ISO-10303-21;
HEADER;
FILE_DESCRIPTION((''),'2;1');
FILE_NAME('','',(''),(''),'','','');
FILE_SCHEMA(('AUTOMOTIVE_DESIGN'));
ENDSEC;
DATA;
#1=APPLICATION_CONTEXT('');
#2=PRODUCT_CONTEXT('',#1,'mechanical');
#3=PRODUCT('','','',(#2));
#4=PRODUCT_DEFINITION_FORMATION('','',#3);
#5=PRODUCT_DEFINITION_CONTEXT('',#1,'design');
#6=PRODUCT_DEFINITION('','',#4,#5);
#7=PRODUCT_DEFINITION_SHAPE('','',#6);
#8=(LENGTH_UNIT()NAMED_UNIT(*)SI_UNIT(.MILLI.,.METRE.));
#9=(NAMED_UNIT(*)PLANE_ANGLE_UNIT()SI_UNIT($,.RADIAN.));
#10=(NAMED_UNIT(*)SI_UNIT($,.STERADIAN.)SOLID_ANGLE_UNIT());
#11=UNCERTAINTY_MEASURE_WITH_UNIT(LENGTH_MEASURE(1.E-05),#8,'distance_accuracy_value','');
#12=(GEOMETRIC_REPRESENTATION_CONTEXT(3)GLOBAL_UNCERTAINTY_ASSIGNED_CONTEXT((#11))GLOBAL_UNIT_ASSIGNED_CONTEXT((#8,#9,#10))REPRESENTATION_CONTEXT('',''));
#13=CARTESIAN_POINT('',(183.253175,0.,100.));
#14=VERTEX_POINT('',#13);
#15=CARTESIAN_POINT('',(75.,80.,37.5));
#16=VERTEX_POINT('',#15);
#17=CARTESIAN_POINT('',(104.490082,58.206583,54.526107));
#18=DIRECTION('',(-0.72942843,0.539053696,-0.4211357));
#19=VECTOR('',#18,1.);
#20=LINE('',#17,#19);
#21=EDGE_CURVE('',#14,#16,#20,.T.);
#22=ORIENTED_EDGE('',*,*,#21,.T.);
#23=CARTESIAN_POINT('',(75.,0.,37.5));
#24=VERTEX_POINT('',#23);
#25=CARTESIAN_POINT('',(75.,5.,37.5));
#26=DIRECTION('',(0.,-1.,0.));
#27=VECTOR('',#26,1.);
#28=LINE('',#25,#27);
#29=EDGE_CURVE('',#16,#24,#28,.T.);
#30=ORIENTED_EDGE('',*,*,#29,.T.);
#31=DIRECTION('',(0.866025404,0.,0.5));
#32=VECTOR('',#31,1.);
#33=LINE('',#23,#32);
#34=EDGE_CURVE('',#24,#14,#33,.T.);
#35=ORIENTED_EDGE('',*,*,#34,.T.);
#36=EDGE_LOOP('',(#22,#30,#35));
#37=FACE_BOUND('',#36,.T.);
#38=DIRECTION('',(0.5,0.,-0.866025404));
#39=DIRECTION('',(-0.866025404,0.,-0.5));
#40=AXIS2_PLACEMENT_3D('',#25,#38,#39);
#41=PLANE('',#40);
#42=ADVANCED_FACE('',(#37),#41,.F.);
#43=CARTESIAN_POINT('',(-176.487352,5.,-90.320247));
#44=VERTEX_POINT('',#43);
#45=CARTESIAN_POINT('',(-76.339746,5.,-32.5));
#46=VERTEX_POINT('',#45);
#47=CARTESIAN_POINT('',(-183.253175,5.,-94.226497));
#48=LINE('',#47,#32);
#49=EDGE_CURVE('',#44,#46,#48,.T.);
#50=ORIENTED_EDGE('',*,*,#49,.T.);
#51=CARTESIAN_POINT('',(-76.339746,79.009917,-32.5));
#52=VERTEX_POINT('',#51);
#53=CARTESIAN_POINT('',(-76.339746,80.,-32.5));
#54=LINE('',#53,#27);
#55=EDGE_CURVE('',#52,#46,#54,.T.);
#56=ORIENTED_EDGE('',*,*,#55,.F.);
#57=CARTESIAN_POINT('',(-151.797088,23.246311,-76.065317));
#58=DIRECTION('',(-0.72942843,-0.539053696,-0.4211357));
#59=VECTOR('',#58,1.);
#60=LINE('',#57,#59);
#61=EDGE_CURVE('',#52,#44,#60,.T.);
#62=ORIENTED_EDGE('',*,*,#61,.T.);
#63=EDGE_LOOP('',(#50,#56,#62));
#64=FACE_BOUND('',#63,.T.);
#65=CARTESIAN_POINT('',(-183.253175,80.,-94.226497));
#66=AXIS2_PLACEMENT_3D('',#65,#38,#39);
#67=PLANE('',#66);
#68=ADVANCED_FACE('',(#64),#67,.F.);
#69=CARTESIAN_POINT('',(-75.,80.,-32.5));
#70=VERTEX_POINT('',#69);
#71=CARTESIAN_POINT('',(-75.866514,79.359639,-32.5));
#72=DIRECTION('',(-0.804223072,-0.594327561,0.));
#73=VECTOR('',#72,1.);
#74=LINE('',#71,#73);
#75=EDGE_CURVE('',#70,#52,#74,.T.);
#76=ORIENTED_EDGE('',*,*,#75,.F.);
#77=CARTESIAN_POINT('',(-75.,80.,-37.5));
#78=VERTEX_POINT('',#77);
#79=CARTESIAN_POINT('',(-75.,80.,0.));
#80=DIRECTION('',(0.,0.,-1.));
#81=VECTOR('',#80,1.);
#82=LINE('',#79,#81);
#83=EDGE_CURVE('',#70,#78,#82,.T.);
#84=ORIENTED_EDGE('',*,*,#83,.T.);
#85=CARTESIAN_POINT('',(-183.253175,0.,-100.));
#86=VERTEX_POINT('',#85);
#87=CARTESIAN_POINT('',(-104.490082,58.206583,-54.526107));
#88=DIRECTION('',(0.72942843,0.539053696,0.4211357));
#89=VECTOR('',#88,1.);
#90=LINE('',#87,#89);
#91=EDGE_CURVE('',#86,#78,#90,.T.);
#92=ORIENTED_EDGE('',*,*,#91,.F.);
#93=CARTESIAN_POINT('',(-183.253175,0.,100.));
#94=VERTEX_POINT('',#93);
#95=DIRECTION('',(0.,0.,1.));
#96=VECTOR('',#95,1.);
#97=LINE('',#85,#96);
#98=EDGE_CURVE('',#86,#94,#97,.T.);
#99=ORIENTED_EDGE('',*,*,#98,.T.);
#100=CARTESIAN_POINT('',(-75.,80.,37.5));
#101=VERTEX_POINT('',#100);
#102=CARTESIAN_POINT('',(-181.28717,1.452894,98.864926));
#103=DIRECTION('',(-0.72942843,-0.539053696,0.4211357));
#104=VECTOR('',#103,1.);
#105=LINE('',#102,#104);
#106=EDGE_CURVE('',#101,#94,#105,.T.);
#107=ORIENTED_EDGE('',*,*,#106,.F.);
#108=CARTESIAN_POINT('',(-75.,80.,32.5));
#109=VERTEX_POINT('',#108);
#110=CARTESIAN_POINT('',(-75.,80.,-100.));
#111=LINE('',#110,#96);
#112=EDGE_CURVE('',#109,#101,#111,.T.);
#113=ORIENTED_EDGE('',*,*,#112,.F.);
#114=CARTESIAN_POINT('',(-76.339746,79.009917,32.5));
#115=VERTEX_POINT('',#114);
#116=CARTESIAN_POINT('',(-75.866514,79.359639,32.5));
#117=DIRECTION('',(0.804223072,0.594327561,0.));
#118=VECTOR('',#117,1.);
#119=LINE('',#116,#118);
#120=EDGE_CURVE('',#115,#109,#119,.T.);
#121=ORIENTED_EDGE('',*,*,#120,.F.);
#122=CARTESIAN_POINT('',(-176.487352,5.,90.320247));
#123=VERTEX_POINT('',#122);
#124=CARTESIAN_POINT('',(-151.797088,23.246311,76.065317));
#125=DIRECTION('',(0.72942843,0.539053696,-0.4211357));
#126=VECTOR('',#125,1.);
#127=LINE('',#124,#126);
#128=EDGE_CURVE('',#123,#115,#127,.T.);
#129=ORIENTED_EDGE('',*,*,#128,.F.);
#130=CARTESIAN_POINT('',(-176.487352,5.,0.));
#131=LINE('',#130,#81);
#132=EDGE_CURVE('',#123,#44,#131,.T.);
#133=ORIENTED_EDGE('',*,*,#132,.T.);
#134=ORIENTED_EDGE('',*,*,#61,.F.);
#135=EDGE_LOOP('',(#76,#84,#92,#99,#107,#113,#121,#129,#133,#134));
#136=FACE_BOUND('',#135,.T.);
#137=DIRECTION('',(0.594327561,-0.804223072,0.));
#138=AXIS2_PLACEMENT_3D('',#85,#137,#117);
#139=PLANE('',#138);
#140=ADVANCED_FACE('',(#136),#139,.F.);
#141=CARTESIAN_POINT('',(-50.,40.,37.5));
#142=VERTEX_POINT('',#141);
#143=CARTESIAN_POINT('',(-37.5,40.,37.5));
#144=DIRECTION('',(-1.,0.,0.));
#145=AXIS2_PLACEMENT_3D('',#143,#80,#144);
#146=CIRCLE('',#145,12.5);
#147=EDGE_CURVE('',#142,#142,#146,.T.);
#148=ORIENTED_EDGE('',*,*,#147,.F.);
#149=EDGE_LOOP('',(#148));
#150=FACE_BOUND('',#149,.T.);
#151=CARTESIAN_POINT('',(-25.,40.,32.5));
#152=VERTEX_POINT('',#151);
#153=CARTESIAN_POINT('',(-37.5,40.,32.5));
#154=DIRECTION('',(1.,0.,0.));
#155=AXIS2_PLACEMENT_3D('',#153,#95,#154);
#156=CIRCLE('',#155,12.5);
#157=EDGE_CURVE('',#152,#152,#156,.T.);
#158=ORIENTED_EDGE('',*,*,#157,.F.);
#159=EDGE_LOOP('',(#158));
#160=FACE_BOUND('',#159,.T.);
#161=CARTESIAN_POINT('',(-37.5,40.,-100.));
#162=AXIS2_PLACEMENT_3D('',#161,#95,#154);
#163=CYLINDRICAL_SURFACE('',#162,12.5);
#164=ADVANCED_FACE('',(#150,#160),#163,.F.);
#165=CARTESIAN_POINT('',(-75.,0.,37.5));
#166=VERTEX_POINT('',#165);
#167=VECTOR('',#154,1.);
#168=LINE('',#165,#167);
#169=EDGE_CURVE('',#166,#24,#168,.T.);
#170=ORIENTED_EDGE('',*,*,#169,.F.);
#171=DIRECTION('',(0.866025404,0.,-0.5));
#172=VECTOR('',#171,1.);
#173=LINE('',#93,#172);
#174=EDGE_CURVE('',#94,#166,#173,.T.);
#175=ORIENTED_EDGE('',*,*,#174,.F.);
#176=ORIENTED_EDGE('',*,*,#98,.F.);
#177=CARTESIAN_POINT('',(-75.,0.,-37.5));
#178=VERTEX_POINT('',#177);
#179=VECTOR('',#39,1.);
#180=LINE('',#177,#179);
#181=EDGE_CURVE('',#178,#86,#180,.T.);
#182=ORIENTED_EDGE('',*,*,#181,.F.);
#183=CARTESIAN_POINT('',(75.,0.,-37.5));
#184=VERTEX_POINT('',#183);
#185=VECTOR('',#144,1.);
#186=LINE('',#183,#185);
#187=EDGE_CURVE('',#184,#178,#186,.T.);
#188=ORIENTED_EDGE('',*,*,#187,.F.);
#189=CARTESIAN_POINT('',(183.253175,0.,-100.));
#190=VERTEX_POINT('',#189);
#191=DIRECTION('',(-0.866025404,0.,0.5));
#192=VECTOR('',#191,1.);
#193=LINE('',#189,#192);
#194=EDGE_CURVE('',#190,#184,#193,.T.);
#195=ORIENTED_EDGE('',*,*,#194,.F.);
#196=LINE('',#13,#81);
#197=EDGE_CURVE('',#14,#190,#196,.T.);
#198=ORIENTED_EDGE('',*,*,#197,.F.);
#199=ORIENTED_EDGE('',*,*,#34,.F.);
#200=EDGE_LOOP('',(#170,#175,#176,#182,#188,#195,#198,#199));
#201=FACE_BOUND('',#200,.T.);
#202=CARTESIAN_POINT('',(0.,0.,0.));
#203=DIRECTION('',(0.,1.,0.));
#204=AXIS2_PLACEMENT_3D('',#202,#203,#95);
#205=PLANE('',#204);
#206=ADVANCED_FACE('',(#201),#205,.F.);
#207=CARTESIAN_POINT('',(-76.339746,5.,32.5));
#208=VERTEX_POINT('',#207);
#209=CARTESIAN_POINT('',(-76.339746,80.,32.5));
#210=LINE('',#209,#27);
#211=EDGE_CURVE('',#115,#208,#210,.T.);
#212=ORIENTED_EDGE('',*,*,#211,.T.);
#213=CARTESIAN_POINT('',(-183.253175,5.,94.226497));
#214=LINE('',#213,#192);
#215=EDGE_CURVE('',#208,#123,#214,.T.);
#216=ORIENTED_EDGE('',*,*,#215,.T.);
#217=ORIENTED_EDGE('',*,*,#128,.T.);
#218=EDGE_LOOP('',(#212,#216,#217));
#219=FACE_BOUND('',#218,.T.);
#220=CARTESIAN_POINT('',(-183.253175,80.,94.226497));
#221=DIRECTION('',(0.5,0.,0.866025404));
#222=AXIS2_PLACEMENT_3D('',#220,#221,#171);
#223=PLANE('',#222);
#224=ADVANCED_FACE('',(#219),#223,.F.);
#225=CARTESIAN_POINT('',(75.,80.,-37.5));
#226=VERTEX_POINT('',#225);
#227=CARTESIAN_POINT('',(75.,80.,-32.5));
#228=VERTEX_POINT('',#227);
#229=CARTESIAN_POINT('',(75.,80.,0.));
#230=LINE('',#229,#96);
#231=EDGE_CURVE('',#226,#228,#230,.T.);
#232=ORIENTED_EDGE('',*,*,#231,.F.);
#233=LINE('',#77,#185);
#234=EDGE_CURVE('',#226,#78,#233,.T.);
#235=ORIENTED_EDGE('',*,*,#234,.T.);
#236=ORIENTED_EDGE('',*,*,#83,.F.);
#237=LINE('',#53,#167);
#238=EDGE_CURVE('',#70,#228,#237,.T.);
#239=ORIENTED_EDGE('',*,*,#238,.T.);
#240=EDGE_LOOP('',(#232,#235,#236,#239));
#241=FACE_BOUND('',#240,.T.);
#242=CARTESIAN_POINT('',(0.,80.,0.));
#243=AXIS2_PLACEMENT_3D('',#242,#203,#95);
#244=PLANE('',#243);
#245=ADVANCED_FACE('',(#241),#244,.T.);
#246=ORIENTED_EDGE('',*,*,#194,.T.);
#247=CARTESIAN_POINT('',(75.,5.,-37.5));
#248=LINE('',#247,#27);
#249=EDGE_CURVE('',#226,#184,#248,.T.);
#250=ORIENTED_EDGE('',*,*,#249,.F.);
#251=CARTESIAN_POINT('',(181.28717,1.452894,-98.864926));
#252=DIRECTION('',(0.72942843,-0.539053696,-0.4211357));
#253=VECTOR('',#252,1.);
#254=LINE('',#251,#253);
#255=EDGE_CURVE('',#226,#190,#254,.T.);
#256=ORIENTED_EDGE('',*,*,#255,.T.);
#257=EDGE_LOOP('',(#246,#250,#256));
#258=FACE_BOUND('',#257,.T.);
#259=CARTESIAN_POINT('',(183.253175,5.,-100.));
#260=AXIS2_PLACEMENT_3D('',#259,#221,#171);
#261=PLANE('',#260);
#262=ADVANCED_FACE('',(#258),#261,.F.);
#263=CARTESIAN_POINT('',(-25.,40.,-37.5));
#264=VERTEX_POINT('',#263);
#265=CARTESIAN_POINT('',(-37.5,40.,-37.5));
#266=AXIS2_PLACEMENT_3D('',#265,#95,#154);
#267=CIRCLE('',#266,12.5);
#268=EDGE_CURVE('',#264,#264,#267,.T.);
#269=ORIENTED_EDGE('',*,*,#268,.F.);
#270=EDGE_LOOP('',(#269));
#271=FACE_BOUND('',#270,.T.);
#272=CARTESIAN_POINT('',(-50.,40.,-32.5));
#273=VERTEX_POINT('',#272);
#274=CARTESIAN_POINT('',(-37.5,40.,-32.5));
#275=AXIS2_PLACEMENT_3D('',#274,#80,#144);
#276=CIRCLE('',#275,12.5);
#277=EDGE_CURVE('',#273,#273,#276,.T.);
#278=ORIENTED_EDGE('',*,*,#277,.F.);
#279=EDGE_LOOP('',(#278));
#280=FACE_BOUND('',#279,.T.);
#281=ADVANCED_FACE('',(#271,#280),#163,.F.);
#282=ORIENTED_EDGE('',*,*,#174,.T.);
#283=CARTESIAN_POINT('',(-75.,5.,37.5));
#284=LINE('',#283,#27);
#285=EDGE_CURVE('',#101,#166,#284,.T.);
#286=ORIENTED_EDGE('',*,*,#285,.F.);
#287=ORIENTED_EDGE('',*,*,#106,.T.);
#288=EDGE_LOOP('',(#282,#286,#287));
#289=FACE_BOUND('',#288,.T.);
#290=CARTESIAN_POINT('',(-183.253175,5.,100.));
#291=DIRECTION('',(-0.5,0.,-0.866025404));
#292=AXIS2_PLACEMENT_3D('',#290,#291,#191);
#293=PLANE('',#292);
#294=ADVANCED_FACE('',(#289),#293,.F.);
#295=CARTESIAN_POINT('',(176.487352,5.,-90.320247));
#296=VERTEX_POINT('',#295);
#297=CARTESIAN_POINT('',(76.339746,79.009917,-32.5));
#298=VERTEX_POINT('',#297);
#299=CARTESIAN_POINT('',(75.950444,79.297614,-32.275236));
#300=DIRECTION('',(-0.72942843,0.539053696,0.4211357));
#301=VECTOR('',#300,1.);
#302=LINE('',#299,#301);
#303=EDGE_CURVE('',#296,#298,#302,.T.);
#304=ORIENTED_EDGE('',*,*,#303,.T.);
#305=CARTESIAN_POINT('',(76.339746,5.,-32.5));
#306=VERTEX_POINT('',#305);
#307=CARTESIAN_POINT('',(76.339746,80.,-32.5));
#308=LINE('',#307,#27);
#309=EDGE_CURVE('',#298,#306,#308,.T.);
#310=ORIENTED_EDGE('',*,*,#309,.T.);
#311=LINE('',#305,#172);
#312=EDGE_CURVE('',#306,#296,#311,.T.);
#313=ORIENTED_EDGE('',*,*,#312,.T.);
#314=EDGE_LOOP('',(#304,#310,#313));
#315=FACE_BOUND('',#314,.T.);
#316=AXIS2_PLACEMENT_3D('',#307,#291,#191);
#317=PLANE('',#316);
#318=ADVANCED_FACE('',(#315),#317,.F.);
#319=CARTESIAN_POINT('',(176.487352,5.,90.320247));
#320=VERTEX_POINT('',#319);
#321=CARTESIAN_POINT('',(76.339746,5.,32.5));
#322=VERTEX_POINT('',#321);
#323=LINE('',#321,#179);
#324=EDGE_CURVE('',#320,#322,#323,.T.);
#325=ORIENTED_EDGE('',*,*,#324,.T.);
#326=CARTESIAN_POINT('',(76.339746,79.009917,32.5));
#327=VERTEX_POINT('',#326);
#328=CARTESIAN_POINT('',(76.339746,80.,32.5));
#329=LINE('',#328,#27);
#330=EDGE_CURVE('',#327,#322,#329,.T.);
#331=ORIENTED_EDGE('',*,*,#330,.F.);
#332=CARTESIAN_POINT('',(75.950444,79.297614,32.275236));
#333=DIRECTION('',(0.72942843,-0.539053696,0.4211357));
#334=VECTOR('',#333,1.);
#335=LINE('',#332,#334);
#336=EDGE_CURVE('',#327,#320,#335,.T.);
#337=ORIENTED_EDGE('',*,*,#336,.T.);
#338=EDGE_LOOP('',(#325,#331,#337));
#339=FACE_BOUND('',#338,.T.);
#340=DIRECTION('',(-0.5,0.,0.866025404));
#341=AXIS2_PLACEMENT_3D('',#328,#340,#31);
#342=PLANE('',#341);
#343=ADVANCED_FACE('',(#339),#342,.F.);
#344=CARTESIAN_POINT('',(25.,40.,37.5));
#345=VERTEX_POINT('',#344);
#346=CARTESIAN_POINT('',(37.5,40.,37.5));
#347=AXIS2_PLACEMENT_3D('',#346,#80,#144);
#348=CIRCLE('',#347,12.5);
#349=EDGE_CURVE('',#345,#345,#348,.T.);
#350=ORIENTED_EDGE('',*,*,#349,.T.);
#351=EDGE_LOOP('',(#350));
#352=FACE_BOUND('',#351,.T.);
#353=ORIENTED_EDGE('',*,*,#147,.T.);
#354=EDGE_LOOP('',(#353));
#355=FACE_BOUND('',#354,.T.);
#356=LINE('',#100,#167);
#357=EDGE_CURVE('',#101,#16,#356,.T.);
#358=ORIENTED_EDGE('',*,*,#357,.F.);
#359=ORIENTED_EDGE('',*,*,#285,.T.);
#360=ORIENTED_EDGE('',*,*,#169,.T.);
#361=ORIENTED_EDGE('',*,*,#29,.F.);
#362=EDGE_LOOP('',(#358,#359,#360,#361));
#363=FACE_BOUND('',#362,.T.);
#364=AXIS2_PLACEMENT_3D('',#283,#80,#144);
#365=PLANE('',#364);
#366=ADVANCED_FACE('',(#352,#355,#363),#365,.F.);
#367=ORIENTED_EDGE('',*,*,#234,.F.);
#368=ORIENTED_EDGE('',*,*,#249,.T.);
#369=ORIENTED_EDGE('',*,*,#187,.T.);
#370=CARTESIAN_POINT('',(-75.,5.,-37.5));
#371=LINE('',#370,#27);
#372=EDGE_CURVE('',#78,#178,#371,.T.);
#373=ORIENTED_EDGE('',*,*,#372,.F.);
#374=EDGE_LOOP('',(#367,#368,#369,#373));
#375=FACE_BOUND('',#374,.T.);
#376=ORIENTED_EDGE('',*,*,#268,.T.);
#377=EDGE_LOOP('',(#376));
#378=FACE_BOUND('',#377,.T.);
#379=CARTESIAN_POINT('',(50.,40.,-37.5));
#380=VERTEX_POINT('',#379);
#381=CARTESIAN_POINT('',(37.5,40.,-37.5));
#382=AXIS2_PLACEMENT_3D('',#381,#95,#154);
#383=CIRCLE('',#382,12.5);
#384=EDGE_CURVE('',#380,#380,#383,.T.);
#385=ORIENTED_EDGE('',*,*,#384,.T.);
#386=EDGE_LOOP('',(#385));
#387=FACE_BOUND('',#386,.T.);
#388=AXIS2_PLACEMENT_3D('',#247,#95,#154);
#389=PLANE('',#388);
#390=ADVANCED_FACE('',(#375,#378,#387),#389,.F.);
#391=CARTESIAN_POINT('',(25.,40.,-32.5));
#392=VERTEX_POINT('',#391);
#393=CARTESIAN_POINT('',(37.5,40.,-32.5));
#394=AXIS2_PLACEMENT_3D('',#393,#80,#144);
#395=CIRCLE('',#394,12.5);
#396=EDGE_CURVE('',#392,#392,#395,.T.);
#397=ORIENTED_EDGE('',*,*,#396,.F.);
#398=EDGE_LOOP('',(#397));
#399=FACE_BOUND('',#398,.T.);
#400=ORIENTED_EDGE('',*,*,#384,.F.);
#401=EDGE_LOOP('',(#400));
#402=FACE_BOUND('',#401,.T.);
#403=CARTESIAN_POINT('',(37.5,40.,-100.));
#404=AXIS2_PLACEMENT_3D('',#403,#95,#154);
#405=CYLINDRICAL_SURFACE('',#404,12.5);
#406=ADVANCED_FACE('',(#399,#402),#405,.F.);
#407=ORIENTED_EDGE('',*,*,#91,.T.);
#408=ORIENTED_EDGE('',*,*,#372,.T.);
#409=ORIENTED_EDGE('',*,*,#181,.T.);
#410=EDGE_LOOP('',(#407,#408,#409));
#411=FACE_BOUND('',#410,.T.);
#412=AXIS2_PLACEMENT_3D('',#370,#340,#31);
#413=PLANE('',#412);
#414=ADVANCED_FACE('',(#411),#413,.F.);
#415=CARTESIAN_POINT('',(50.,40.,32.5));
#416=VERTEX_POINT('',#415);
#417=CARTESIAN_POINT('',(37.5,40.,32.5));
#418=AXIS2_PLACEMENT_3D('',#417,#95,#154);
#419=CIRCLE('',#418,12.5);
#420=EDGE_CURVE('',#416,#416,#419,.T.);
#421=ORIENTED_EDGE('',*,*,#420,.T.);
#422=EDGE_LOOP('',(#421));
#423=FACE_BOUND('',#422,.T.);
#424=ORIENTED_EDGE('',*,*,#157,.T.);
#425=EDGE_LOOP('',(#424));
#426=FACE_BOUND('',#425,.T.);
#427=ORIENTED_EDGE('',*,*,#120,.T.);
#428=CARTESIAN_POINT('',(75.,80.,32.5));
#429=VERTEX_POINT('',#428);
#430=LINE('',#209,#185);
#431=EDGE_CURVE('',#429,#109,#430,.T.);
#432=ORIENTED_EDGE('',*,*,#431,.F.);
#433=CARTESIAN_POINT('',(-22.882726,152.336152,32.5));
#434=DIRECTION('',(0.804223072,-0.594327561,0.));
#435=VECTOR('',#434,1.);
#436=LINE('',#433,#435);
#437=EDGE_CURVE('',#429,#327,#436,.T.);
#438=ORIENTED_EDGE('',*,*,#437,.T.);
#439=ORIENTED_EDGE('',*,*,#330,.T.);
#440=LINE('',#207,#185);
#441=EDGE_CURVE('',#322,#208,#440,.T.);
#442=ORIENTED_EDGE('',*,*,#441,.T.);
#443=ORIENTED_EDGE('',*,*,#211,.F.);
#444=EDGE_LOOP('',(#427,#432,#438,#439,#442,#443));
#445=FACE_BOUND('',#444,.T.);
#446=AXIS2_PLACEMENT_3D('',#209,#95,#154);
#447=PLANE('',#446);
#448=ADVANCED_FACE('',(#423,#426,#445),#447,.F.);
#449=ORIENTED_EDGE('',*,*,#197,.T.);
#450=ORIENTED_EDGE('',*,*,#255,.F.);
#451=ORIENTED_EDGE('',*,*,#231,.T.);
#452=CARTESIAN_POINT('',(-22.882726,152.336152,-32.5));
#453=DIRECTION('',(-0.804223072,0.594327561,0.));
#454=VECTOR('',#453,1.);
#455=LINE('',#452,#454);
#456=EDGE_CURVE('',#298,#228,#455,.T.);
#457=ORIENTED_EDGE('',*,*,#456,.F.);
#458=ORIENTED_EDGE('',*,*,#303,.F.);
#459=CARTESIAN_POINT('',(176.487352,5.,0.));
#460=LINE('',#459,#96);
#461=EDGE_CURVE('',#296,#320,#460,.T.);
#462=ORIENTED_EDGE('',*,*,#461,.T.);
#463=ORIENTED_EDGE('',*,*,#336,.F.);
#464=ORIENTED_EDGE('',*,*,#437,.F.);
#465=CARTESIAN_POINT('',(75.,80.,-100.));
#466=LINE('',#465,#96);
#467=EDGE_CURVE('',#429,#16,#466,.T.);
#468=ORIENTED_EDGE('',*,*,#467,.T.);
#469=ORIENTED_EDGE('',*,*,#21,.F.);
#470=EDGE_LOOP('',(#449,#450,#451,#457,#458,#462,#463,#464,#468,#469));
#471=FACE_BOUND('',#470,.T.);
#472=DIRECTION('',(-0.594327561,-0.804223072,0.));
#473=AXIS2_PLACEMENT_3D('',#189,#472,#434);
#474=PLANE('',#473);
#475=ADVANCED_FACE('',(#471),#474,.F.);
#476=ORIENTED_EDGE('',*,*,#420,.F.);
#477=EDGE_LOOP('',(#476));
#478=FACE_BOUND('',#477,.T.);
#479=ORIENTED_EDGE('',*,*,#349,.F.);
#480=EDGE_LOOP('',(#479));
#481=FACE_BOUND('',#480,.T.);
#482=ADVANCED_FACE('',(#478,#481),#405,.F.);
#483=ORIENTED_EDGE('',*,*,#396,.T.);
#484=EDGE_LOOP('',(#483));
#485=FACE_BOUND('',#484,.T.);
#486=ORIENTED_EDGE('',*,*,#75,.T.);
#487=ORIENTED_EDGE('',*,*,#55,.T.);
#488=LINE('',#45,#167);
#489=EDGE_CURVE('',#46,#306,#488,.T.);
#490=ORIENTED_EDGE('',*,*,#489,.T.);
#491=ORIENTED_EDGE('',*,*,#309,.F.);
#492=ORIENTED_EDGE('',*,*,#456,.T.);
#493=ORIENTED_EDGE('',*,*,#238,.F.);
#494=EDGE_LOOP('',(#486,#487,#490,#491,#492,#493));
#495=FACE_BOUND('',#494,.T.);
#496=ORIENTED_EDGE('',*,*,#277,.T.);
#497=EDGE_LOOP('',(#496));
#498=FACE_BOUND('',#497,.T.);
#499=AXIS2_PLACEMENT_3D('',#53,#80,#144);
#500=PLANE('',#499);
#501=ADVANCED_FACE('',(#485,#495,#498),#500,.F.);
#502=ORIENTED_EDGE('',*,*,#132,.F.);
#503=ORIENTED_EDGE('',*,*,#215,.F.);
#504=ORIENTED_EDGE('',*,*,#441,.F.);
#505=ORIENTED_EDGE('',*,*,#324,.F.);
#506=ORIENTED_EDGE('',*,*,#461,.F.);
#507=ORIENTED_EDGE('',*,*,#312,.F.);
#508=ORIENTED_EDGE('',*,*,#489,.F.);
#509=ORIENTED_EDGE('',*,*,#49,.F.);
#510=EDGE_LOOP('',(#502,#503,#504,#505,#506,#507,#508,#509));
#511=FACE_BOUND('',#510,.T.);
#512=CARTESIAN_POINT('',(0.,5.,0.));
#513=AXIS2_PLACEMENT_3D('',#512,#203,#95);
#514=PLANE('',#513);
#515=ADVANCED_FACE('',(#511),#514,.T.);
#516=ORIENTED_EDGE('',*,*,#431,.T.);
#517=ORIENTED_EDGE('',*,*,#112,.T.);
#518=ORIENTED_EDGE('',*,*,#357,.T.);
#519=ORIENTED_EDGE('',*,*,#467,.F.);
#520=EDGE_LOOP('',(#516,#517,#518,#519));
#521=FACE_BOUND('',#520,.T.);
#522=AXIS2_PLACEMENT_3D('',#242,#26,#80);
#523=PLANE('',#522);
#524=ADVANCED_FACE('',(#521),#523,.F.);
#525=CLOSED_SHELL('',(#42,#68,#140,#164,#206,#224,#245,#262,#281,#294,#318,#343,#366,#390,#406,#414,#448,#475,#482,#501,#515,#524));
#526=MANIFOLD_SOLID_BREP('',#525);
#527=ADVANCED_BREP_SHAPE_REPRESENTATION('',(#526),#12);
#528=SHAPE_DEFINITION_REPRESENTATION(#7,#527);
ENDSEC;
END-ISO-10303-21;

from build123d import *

# Parameters (mm, degrees)
BOSS_EXTRUDE1_DEPTH     = 5
BOSS_EXTRUDE2_DEPTH     = 75
CUT_EXTRUDE1_DEPTH      = 101
CUT_EXTRUDE1_DEPTH_BACK = 101
SKETCH4_R               = 12.5
CUT_EXTRUDE2_DEPTH      = 101
CUT_EXTRUDE2_DEPTH_BACK = 101


with BuildPart() as part:
    # Sketch1 → Boss-Extrude1 (new body)
    with BuildSketch(Plane(origin=(0, 0, 0), x_dir=(1, 0, 0), z_dir=(0, 1, 0))):
        Polygon((-183.253175473, 100), (-183.253175473, -100), (-75, -37.5), (75, -37.5), (183.253175473, -100), (183.253175473, 100), (75, 37.5), (-75, 37.5), align=None)
    extrude(amount=BOSS_EXTRUDE1_DEPTH)

    # Sketch2 → Boss-Extrude2 (add)
    with BuildSketch(Plane(origin=(0, 5, 0), x_dir=(1, 0, 0), z_dir=(0, 1, 0))):
        Polygon((-183.253175473, -100), (-75, -37.5), (75, -37.5), (183.253175473, -100), (183.253175473, -94.226497308), (76.339745962, -32.5), (-76.339745962, -32.5), (-183.253175473, -94.226497308), align=None)
        Polygon((-183.253175473, 100), (-75, 37.5), (75, 37.5), (183.253175473, 100), (183.253175473, 94.226497308), (76.339745962, 32.5), (-76.339745962, 32.5), (-183.253175473, 94.226497308), align=None)
    extrude(amount=BOSS_EXTRUDE2_DEPTH)

    # Sketch3 → Cut-Extrude1 (cut, two sides)
    with BuildSketch(Plane.XY) as cut_extrude1_sk:
        Polygon((-183.253175473, 0), (-75, 80), (-183.253175473, 80), align=None)
        Polygon((183.253175473, 0), (75, 80), (183.253175473, 80), align=None)
    extrude(amount=CUT_EXTRUDE1_DEPTH, mode=Mode.SUBTRACT)
    extrude(cut_extrude1_sk.sketch, amount=-CUT_EXTRUDE1_DEPTH_BACK, mode=Mode.SUBTRACT)

    # Sketch4 → Cut-Extrude2 (cut, two sides)
    with BuildSketch(Plane.XY) as cut_extrude2_sk:
        with Locations((-37.5, 40)):
            Circle(SKETCH4_R)
        with Locations((37.5, 40)):
            Circle(SKETCH4_R)
    extrude(amount=CUT_EXTRUDE2_DEPTH, mode=Mode.SUBTRACT)
    extrude(cut_extrude2_sk.sketch, amount=-CUT_EXTRUDE2_DEPTH_BACK, mode=Mode.SUBTRACT)


solid = part.part
